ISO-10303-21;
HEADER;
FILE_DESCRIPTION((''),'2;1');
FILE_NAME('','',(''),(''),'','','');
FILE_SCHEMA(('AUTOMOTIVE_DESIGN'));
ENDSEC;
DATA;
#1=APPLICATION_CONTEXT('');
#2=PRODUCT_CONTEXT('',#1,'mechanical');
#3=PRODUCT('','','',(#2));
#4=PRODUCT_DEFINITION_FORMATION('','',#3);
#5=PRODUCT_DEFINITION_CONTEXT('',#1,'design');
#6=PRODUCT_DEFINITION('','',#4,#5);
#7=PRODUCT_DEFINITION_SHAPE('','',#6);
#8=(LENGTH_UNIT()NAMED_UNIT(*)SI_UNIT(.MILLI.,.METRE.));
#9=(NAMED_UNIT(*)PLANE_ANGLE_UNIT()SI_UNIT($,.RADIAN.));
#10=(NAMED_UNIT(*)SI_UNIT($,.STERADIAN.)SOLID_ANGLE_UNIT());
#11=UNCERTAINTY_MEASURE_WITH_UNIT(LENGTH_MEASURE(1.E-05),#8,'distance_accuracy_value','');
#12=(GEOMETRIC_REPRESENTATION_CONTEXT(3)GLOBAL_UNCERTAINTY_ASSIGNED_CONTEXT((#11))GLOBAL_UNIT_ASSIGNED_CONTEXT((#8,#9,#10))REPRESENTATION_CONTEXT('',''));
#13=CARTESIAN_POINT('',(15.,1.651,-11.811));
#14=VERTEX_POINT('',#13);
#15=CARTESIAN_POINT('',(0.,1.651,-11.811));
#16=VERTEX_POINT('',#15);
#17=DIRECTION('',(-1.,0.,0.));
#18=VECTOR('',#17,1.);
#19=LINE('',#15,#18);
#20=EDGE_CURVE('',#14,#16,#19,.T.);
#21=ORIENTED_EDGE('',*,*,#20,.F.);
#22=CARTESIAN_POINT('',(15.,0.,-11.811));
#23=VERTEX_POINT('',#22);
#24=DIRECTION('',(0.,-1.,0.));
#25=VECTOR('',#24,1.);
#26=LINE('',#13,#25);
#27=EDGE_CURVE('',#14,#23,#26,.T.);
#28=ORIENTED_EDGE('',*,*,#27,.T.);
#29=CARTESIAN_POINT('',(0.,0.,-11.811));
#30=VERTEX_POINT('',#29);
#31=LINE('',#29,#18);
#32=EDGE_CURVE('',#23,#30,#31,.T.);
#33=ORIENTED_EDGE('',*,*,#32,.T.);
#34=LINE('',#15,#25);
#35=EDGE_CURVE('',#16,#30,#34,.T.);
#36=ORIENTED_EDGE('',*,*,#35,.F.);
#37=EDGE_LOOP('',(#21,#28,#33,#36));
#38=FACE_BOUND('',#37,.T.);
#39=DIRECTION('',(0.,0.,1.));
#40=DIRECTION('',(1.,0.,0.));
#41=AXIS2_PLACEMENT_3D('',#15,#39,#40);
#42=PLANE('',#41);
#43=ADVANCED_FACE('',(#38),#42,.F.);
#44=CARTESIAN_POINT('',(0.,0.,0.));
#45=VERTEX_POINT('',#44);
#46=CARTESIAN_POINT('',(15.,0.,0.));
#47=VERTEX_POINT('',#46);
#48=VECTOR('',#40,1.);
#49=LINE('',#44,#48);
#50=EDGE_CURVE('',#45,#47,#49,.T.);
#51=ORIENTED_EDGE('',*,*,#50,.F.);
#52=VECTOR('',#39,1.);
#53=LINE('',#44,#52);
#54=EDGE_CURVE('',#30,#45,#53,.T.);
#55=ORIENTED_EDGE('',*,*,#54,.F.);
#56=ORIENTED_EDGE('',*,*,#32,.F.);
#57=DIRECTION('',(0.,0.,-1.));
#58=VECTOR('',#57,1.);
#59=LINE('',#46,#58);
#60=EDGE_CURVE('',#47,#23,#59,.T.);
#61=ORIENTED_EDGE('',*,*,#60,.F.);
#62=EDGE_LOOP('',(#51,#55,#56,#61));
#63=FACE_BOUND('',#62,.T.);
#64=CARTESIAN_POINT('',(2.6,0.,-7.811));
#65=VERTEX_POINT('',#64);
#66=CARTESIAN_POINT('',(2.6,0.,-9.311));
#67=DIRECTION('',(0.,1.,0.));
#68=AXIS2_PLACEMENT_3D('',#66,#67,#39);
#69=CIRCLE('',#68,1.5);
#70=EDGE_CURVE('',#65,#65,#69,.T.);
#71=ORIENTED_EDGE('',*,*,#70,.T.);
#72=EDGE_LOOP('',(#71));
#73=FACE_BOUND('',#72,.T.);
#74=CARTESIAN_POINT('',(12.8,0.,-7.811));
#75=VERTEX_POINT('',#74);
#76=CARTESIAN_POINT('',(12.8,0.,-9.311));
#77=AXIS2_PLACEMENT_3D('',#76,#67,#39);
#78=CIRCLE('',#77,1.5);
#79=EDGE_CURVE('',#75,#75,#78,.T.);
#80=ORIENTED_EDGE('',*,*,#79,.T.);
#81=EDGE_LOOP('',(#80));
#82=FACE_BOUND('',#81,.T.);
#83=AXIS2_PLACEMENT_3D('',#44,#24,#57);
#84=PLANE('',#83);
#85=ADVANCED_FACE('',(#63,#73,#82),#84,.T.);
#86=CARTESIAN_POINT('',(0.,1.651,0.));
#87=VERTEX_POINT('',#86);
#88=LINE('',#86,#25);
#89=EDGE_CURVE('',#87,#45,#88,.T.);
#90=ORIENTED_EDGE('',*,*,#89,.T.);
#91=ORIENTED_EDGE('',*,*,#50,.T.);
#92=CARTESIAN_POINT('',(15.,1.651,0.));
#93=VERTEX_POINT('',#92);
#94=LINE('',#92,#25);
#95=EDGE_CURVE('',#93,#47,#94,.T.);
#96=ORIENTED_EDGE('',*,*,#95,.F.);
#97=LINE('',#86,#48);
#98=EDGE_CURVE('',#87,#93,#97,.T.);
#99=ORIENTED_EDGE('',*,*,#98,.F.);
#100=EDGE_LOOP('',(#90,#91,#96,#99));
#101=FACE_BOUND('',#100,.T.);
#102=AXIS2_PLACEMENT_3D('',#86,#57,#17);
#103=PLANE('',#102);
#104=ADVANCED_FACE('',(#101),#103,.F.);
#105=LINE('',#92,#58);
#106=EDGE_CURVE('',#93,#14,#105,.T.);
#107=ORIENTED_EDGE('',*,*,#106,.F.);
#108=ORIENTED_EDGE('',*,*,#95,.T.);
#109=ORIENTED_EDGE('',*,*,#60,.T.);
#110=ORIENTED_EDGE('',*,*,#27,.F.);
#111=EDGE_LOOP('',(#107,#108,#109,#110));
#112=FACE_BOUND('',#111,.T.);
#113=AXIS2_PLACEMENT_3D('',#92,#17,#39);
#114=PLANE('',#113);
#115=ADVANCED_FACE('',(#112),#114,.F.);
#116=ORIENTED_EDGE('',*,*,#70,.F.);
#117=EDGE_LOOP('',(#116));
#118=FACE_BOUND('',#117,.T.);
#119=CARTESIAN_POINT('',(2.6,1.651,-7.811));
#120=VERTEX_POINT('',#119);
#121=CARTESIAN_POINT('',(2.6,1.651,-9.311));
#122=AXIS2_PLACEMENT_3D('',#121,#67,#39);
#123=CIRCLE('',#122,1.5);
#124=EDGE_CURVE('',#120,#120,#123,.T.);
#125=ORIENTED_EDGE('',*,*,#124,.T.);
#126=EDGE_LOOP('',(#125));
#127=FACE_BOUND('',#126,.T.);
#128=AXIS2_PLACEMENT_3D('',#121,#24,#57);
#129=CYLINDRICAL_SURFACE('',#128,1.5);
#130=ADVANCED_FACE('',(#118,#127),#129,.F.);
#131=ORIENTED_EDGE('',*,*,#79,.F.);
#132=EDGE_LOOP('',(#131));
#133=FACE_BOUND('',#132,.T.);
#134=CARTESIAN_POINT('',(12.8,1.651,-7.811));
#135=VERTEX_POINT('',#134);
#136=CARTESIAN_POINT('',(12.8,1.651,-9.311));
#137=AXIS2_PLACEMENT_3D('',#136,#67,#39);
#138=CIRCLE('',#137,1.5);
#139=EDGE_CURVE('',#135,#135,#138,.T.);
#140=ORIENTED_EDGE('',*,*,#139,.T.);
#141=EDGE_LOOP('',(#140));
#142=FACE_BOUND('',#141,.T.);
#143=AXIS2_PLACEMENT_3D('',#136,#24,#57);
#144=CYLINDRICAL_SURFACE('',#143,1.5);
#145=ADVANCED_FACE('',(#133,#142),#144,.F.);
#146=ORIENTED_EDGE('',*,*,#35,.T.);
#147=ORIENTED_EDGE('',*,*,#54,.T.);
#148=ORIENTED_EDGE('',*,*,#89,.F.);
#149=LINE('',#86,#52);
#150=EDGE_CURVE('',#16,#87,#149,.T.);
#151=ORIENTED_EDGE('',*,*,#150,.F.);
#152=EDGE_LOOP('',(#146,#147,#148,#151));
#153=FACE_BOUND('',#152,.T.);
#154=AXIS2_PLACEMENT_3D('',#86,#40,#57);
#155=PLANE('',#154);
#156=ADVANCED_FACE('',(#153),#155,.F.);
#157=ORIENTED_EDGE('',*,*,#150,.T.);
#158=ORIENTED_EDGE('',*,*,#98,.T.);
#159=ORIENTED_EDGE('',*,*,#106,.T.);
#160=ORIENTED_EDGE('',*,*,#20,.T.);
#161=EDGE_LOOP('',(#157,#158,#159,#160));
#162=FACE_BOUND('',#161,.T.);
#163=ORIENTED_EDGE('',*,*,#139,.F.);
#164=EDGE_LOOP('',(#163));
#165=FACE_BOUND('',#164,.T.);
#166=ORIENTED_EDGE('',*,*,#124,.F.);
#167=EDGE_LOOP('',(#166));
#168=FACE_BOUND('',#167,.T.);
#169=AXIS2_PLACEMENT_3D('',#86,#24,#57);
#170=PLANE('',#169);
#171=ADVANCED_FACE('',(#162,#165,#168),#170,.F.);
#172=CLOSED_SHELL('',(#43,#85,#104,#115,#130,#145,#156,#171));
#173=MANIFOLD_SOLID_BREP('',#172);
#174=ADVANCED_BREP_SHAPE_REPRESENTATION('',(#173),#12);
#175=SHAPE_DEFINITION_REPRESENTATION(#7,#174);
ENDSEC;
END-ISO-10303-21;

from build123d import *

# Parameters (mm, degrees)
SKETCH1_W           = 15
SKETCH1_H           = 11.811
SKETCH1_R           = 1.5
BOSS_EXTRUDE1_DEPTH = 1.651


with BuildPart() as part:
    # Sketch1 → Boss-Extrude1 (new body)
    with BuildSketch(Plane(origin=(0, 0, 0), x_dir=(1, 0, 0), z_dir=(0, 1, 0))):
        with Locations((7.5, 5.9055)):
            Rectangle(SKETCH1_W, SKETCH1_H)
        with Locations((2.6, 9.311)):
            Circle(SKETCH1_R, mode=Mode.SUBTRACT)
        with Locations((12.8, 9.311)):
            Circle(SKETCH1_R, mode=Mode.SUBTRACT)
    extrude(amount=BOSS_EXTRUDE1_DEPTH)


solid = part.part
